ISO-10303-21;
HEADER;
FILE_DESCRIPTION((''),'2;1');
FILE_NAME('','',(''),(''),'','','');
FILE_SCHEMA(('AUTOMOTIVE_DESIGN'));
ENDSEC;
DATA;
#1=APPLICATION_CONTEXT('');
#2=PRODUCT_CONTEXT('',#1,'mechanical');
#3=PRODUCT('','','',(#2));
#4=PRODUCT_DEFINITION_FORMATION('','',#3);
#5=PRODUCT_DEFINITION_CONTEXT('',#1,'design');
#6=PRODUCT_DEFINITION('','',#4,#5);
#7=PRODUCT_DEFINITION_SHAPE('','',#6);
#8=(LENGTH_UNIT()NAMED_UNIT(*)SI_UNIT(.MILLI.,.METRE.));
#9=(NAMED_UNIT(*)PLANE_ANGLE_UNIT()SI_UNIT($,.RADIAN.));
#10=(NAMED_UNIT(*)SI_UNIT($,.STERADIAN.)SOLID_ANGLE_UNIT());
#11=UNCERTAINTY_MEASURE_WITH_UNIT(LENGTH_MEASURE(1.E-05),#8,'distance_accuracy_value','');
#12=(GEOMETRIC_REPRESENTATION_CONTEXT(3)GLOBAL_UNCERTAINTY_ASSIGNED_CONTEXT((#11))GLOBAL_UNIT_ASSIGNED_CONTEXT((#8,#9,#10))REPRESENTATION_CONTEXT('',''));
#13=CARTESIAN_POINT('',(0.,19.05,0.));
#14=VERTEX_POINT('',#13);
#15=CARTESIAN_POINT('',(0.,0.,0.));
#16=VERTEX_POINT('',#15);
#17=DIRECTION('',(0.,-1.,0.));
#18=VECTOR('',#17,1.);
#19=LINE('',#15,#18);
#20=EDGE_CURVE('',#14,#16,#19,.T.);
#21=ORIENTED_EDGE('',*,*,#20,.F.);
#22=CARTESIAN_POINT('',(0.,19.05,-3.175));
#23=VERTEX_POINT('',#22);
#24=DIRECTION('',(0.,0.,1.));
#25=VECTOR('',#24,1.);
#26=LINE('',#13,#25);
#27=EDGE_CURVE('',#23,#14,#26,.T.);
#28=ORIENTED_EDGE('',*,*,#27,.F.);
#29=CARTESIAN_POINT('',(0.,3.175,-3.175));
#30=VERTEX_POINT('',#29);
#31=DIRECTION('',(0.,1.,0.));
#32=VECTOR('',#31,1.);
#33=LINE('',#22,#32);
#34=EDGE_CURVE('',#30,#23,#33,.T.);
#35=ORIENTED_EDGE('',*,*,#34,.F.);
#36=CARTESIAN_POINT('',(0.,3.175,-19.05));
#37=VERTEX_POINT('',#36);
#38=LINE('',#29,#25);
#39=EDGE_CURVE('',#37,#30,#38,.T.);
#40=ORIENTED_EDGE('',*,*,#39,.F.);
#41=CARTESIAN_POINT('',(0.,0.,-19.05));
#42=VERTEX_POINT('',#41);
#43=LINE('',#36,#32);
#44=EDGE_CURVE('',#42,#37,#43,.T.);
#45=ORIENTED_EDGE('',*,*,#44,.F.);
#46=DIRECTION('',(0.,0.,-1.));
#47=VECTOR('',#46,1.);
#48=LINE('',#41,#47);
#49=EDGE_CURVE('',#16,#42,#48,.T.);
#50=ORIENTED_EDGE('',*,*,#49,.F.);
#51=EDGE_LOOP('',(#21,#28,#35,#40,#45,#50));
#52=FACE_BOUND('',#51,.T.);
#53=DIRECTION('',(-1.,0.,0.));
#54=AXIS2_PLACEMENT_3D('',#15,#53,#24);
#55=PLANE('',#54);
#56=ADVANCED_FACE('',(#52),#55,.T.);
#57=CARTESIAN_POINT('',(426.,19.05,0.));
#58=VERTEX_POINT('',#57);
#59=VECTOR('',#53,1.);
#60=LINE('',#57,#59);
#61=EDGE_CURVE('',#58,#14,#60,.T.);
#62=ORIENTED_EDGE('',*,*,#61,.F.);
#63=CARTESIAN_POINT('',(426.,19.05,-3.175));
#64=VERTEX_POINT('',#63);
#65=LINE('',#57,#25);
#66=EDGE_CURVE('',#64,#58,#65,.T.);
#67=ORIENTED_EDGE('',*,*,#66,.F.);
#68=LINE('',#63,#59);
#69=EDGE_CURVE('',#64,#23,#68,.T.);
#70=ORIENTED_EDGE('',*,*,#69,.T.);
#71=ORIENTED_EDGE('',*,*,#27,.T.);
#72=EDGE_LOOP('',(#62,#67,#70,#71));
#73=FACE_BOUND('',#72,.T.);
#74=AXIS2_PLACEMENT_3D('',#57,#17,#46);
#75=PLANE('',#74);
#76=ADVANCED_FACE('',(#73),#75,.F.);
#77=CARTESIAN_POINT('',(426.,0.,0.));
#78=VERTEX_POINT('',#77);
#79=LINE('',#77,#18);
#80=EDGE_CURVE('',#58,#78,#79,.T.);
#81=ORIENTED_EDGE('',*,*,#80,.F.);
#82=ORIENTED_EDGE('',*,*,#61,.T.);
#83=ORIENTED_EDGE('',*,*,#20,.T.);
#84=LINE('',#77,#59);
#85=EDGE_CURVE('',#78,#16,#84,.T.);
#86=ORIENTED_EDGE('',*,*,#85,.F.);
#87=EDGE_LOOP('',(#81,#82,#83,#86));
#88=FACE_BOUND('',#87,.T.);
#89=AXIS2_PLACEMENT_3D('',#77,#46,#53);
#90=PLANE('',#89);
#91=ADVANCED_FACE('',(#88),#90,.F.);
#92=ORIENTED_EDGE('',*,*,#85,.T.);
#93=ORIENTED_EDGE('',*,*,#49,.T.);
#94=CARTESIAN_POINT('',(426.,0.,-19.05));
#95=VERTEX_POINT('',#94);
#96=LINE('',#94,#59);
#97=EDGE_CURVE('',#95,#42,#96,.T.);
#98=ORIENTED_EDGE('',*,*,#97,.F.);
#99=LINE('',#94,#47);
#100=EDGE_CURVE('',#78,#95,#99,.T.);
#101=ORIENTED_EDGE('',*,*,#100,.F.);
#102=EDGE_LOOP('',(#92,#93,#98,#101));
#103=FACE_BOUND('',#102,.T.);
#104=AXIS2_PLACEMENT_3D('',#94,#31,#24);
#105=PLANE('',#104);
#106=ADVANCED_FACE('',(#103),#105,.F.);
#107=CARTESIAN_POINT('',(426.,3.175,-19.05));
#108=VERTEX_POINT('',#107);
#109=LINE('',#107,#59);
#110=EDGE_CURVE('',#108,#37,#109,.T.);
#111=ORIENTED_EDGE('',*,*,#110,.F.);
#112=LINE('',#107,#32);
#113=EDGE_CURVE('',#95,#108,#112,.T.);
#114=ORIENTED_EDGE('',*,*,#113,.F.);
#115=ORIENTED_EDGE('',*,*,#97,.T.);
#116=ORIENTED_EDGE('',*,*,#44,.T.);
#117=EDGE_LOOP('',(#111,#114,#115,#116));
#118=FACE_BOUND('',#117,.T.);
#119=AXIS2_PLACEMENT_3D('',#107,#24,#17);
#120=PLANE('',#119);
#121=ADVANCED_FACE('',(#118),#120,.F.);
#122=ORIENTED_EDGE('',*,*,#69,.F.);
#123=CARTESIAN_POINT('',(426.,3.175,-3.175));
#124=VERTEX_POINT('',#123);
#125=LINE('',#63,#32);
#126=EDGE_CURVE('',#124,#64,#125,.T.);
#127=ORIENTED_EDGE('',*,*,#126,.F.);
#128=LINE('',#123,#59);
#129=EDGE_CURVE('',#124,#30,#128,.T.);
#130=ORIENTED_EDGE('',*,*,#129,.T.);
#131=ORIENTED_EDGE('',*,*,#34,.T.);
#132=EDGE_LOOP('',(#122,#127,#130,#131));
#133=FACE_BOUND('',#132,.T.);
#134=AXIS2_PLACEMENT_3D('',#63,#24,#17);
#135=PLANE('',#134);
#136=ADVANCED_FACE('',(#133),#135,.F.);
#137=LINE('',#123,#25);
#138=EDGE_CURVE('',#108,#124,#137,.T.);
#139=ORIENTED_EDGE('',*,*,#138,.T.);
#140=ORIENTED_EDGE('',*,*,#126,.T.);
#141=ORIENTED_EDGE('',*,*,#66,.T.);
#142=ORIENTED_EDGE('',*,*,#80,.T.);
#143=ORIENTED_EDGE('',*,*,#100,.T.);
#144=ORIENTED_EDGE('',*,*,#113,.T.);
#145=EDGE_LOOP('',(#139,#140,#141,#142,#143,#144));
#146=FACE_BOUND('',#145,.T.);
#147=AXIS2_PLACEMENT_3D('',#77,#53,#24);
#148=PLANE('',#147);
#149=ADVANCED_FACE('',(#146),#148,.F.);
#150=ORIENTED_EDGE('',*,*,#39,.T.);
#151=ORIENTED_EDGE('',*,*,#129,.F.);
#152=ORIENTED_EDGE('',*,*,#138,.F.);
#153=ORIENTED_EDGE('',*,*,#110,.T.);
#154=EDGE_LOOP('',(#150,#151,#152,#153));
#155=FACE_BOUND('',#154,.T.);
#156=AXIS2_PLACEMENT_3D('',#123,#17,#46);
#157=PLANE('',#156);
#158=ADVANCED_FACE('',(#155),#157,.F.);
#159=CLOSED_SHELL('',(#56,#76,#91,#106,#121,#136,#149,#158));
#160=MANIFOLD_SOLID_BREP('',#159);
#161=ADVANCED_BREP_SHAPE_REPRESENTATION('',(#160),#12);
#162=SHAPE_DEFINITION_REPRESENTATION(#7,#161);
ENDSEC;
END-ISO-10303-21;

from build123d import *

# Parameters (mm, degrees)
BOSS_EXTRUDE1_DEPTH = 426


with BuildPart() as part:
    # Sketch1 → Boss-Extrude1 (new body)
    with BuildSketch(Plane(origin=(0, 0, 0), x_dir=(0, 0, -1), z_dir=(1, 0, 0))):
        Polygon((0, 0), (0, 19.05), (3.175, 19.05), (3.175, 3.175), (19.05, 3.175), (19.05, 0), align=None)
    extrude(amount=BOSS_EXTRUDE1_DEPTH)


solid = part.part
